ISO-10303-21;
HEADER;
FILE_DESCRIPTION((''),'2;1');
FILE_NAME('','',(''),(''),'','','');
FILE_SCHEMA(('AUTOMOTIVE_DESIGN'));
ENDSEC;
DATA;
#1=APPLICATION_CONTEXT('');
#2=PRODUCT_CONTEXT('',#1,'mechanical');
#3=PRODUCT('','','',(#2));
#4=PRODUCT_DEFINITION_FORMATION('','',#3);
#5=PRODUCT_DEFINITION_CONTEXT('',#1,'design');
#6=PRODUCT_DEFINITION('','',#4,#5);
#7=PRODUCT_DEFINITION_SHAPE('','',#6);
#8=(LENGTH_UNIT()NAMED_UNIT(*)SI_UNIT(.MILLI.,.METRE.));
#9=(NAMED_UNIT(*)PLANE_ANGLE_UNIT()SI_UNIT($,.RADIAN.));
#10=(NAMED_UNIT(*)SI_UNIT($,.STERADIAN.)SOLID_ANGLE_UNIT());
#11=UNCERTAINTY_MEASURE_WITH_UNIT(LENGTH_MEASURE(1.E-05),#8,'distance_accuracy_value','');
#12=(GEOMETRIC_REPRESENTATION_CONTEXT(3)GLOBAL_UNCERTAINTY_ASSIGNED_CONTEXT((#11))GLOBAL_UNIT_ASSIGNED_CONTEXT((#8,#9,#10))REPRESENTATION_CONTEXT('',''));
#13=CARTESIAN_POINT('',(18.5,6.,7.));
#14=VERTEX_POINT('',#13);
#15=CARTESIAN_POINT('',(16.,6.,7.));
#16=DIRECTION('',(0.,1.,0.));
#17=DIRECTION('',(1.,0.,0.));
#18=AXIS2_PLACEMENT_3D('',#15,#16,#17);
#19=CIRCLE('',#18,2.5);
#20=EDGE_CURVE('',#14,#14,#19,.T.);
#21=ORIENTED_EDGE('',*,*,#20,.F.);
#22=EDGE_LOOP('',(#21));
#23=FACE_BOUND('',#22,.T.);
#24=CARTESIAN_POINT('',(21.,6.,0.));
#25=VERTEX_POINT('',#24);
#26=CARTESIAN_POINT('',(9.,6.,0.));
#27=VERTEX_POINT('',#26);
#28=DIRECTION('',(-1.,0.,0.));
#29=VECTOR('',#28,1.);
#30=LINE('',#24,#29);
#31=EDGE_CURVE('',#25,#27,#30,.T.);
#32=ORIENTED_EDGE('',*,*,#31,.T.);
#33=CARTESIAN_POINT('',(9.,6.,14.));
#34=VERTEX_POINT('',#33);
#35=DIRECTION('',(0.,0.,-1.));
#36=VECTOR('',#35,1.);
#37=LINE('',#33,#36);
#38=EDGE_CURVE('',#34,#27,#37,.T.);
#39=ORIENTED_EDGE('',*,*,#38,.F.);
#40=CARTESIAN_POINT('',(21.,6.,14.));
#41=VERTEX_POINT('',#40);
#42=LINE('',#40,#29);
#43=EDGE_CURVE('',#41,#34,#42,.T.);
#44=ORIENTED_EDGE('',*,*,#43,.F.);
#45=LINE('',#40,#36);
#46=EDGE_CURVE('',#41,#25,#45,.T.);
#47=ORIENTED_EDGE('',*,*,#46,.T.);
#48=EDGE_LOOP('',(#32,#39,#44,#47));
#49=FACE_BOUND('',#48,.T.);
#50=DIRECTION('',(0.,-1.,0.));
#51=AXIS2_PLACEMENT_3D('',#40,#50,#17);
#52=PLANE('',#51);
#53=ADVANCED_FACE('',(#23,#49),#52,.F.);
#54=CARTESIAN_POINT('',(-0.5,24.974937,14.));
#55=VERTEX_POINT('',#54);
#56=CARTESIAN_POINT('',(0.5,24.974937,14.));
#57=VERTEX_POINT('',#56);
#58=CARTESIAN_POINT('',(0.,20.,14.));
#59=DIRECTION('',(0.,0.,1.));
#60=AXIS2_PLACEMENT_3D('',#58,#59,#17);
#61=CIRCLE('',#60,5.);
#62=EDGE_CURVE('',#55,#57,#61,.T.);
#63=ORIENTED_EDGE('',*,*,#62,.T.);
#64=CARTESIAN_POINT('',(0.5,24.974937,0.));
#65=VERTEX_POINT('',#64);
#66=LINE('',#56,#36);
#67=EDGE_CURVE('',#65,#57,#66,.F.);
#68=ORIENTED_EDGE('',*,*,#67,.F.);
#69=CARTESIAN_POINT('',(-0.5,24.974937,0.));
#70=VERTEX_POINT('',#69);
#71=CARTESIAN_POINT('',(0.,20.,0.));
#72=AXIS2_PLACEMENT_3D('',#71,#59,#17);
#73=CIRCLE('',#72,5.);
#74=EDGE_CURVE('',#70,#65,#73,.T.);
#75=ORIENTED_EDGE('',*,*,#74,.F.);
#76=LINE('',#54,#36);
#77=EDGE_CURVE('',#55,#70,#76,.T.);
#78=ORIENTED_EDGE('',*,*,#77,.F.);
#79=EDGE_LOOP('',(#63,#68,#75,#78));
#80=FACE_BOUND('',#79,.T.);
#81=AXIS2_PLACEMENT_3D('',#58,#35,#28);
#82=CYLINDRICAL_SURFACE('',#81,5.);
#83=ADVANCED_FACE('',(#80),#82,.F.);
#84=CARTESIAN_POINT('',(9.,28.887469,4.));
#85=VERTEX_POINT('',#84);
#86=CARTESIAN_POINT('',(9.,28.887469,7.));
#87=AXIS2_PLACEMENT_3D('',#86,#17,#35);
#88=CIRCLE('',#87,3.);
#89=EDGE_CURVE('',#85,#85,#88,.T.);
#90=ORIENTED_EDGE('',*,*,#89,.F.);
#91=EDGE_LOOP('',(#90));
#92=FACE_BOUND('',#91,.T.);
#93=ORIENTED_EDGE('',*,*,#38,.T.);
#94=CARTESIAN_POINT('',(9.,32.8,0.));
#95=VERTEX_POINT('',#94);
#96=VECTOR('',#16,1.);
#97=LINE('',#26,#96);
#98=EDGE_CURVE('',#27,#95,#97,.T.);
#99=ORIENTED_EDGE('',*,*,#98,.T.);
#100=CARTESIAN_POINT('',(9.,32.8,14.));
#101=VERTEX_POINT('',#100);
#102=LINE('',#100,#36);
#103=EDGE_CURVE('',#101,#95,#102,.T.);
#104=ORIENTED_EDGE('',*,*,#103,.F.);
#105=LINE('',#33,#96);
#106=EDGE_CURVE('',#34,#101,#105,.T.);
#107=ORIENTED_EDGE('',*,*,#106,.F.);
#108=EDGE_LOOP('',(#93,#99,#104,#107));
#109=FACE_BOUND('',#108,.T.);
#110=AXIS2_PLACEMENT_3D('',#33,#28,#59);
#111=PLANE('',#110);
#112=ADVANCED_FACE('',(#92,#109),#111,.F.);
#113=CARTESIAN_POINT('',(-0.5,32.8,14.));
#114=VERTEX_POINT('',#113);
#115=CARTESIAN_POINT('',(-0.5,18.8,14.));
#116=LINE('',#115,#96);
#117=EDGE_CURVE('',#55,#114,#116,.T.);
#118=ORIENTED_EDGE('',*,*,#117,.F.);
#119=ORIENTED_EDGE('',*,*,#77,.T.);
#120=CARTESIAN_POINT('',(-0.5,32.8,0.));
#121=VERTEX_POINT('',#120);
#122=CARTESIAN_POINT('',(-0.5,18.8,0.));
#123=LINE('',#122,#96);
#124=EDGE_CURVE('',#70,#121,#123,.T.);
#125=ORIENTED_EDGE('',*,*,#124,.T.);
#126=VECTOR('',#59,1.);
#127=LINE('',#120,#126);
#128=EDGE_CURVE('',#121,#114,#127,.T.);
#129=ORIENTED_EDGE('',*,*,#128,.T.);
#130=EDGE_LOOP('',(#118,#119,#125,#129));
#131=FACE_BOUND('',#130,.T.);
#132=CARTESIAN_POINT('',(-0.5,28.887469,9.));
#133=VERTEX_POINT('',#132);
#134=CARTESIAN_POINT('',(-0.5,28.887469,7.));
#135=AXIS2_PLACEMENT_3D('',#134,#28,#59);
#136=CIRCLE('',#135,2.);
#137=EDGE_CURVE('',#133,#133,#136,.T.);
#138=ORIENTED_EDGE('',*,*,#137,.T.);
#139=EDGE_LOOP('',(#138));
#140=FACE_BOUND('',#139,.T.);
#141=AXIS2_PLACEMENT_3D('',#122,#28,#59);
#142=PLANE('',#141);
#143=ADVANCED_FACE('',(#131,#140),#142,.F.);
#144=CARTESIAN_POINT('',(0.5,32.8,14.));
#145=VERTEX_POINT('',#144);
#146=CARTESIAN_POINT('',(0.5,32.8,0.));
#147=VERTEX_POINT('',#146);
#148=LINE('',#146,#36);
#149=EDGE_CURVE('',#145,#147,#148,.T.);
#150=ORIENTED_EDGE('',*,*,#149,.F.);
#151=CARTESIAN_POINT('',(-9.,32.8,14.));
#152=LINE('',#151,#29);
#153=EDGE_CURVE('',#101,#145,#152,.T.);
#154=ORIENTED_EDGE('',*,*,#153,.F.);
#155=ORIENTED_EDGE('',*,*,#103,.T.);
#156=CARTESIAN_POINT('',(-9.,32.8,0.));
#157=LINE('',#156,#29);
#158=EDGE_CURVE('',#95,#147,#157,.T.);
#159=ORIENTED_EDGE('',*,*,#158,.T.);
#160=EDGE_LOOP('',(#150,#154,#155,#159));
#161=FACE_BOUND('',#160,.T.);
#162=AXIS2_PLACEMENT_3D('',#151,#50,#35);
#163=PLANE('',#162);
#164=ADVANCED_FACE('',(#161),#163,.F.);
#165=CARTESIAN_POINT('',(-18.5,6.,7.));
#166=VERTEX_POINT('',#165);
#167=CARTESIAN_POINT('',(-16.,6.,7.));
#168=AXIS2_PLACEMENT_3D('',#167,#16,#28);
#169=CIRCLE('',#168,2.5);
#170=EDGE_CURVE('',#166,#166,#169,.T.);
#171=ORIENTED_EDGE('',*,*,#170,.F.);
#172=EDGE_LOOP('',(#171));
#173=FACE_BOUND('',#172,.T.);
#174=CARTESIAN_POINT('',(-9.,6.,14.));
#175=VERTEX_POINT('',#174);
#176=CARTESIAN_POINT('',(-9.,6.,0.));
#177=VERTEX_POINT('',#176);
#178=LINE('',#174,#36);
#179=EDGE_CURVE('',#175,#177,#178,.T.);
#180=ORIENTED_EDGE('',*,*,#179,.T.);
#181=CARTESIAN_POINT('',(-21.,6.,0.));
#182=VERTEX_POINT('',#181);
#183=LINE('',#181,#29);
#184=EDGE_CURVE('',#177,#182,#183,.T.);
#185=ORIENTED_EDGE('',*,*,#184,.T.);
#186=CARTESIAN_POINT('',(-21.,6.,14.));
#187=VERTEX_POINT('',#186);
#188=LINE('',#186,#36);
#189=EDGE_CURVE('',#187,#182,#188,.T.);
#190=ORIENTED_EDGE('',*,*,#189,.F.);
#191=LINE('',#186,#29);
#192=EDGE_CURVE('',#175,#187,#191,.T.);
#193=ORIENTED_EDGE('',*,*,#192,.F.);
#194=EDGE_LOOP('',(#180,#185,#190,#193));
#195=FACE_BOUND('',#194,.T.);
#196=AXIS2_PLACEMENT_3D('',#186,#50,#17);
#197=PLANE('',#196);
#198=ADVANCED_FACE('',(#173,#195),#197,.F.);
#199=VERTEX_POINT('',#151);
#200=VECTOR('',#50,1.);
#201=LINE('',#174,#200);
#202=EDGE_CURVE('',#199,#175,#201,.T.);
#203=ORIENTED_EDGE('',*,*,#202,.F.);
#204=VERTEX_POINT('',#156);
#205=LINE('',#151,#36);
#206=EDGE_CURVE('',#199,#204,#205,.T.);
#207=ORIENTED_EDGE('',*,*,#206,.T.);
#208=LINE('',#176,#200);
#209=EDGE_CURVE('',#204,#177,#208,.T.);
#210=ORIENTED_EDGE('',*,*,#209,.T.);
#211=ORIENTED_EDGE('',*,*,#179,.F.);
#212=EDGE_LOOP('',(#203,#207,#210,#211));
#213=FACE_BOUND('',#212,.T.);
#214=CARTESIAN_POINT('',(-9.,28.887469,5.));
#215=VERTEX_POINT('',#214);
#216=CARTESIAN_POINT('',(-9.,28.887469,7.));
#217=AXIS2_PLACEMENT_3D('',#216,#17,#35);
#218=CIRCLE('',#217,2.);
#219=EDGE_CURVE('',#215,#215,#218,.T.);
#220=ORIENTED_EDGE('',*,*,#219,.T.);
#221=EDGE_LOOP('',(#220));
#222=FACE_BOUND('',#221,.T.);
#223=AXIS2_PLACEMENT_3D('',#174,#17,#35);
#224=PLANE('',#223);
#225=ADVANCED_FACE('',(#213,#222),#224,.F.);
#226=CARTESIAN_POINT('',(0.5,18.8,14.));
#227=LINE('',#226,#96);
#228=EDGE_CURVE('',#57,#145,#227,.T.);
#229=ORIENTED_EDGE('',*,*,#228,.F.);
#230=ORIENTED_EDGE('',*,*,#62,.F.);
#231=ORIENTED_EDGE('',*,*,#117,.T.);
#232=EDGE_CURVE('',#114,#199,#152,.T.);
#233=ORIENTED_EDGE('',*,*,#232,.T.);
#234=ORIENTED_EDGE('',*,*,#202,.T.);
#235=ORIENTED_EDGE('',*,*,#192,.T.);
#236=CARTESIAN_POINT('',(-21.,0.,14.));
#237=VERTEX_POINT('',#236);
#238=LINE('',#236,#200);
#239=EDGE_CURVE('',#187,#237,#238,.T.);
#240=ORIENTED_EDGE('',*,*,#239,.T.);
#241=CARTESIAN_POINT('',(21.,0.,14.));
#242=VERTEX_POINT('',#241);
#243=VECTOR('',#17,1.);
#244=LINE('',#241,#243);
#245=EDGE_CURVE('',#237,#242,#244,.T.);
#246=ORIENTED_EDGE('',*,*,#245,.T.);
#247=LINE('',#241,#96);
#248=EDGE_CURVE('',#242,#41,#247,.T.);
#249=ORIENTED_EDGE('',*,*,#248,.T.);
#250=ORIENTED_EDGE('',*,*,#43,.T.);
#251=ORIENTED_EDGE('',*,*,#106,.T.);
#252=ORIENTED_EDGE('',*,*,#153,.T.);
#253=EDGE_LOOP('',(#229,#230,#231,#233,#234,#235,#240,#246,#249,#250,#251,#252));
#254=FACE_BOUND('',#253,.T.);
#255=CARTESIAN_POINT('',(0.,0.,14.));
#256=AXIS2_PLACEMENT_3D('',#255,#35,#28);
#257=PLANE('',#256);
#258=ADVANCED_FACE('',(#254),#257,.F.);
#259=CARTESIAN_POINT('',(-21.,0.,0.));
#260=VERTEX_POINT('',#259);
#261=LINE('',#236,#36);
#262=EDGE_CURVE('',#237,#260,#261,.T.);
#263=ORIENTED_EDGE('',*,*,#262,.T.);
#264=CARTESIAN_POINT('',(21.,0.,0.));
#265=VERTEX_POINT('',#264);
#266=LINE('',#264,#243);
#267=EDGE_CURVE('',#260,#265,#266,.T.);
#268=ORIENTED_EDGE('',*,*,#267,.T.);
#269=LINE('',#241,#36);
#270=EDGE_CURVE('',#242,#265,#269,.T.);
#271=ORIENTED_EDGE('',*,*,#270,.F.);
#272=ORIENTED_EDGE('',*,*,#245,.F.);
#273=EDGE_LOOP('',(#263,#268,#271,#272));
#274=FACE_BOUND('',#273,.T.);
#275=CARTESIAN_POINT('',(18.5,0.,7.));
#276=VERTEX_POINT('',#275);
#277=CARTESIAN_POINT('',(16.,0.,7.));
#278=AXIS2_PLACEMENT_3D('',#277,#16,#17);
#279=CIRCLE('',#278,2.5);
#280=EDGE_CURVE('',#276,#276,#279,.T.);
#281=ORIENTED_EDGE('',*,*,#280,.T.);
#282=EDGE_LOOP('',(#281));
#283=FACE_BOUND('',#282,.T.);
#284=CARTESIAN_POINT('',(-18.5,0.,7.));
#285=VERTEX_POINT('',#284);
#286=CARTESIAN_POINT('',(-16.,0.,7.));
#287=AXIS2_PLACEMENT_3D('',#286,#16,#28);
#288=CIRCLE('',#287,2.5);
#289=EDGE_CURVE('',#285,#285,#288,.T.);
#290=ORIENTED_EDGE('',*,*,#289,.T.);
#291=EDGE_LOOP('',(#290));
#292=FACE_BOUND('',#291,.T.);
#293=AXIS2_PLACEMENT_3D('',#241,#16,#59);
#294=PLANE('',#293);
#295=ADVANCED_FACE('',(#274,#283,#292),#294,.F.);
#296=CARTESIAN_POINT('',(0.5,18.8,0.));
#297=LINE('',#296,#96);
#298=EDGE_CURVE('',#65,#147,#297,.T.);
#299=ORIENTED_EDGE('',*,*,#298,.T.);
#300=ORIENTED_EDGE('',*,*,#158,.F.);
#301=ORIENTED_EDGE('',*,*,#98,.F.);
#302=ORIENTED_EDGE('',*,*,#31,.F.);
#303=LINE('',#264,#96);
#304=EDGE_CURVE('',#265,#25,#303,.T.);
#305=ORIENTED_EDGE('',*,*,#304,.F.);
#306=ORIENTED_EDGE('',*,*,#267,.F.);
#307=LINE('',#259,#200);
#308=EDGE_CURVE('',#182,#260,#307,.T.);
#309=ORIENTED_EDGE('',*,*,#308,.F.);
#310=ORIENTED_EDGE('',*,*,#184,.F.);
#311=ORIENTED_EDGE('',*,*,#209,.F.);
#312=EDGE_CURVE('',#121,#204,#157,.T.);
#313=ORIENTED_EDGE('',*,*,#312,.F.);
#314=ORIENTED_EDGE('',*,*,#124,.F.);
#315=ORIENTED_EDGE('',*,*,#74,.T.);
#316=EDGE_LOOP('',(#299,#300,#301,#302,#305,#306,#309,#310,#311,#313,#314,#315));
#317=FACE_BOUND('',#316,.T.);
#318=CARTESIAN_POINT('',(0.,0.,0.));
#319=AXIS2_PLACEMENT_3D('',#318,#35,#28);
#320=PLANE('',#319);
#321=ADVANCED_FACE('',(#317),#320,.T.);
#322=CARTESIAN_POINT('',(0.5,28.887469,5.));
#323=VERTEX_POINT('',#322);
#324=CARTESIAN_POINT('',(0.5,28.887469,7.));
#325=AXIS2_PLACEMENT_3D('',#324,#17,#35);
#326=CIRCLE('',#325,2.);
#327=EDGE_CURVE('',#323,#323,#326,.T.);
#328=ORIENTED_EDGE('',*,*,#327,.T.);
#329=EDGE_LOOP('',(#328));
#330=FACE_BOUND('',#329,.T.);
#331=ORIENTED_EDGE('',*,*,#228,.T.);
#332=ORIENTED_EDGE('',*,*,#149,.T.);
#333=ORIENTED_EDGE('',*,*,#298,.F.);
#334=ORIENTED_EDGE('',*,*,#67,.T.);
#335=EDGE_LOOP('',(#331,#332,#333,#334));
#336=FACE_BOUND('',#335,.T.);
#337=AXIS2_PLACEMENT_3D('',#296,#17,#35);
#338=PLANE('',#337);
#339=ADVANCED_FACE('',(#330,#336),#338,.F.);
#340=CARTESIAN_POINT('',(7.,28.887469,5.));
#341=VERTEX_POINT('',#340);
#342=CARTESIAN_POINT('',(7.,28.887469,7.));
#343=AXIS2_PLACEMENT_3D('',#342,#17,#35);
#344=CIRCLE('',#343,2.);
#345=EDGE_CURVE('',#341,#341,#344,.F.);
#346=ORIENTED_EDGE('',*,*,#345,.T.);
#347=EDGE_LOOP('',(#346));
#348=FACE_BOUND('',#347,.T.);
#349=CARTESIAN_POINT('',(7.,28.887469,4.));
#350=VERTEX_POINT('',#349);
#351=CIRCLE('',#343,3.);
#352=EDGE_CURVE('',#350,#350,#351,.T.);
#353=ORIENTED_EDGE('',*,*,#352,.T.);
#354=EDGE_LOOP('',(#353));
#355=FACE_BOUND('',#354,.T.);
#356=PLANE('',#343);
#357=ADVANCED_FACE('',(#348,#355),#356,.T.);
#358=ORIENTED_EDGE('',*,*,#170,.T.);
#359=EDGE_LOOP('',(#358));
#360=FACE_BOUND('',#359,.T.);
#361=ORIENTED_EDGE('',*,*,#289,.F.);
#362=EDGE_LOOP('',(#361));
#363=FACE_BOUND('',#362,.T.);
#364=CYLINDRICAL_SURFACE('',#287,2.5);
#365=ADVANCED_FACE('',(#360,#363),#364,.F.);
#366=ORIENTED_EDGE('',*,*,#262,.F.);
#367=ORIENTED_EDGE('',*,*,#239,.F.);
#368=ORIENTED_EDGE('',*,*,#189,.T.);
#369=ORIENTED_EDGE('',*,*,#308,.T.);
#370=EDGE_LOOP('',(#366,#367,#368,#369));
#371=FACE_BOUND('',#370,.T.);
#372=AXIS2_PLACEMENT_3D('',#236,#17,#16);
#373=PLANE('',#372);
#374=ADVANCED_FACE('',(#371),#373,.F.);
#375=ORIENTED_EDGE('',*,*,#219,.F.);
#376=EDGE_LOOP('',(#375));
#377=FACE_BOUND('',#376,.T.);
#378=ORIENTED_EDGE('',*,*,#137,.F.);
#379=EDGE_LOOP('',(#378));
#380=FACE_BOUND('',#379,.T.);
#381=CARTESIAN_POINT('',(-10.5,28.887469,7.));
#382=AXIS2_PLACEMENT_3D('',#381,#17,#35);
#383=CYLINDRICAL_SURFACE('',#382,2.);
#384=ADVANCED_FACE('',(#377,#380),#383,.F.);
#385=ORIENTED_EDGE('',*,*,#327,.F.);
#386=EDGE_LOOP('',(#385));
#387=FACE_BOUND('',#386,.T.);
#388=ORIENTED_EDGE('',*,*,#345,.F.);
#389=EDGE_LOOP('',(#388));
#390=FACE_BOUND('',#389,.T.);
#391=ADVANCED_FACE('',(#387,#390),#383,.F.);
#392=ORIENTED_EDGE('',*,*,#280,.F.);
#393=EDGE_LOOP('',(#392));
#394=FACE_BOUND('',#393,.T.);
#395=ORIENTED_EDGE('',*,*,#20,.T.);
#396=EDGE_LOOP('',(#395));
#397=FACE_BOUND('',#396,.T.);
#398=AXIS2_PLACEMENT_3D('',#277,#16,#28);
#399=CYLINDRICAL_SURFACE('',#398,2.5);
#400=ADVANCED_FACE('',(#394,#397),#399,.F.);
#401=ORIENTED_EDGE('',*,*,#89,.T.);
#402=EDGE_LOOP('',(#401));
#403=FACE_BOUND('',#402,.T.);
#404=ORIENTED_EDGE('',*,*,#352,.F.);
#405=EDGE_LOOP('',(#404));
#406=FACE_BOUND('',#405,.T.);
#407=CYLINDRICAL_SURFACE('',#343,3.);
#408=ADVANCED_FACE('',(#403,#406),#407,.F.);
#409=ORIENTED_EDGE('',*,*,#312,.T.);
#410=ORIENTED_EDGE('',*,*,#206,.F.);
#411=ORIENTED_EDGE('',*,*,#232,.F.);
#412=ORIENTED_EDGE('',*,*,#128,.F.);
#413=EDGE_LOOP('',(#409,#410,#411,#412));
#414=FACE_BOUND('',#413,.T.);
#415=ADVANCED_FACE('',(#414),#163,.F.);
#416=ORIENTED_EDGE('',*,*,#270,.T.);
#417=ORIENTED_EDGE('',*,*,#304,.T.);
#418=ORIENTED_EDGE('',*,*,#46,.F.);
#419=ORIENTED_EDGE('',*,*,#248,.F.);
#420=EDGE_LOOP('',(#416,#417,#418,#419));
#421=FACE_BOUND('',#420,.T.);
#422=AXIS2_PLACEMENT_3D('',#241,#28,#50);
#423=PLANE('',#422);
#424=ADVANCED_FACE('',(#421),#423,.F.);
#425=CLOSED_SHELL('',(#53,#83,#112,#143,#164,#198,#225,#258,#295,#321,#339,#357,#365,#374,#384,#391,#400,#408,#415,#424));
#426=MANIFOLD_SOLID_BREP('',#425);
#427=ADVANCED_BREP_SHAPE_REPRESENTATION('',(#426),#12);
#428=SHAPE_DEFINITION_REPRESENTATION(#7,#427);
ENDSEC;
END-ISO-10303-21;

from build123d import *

# Parameters (mm, degrees)
SKETCH_1_R          = 5
EXTRUDE_1_DEPTH     = 14
SKETCH_2_R          = 2.5
CUT_EXTRUDE_1_DEPTH = 7
SKETCH_3_W          = 1
SKETCH_3_H          = 14
CUT_EXTRUDE_2_DEPTH = 14
SKETCH_4_R          = 2
CUT_EXTRUDE_3_DEPTH = 10
SKETCH_5_R          = 3
CUT_EXTRUDE_4_DEPTH = 2


with BuildPart() as part:
    # 草图1 → 凸台-拉伸1 (new body)
    with BuildSketch(Plane.XY):
        Polygon((21, 0), (-21, 0), (-21, 6), (-9, 6), (-9, 32.8), (9, 32.8), (9, 6), (21, 6), align=None)
        with Locations((0, 20)):
            Circle(SKETCH_1_R, mode=Mode.SUBTRACT)
    extrude(amount=EXTRUDE_1_DEPTH)

    # 草图2 → 切除-拉伸1 (cut, through all)
    with BuildSketch(Plane(origin=(0, 6, 0), x_dir=(1, 0, 0), z_dir=(0, 1, 0))):
        with Locations((-16, -7)):
            Circle(SKETCH_2_R)
        with Locations((16, -7)):
            Circle(SKETCH_2_R)
    extrude(amount=-CUT_EXTRUDE_1_DEPTH, mode=Mode.SUBTRACT)

    # 草图3 → 切除-拉伸2 (cut)
    with BuildSketch(Plane(origin=(0, 32.8, 0), x_dir=(1, 0, 0), z_dir=(0, 1, 0))):
        with Locations((0, -7)):
            Rectangle(SKETCH_3_W, SKETCH_3_H)
    extrude(amount=-CUT_EXTRUDE_2_DEPTH, mode=Mode.SUBTRACT)

    # 草图4 → 切除-拉伸3 (cut, symmetric)
    with BuildSketch(Plane(origin=(-0.5, 0, 0), x_dir=(0, 0, -1), z_dir=(1, 0, 0))):
        with Locations((-7, 28.887468593)):
            Circle(SKETCH_4_R)
    extrude(amount=CUT_EXTRUDE_3_DEPTH, both=True, mode=Mode.SUBTRACT)

    # 草图5 → 切除-拉伸4 (cut)
    with BuildSketch(Plane(origin=(9, 0, 0), x_dir=(0, 0, -1), z_dir=(1, 0, 0))):
        with Locations((-7, 28.887468593)):
            Circle(SKETCH_5_R)
    extrude(amount=-CUT_EXTRUDE_4_DEPTH, mode=Mode.SUBTRACT)


solid = part.part
